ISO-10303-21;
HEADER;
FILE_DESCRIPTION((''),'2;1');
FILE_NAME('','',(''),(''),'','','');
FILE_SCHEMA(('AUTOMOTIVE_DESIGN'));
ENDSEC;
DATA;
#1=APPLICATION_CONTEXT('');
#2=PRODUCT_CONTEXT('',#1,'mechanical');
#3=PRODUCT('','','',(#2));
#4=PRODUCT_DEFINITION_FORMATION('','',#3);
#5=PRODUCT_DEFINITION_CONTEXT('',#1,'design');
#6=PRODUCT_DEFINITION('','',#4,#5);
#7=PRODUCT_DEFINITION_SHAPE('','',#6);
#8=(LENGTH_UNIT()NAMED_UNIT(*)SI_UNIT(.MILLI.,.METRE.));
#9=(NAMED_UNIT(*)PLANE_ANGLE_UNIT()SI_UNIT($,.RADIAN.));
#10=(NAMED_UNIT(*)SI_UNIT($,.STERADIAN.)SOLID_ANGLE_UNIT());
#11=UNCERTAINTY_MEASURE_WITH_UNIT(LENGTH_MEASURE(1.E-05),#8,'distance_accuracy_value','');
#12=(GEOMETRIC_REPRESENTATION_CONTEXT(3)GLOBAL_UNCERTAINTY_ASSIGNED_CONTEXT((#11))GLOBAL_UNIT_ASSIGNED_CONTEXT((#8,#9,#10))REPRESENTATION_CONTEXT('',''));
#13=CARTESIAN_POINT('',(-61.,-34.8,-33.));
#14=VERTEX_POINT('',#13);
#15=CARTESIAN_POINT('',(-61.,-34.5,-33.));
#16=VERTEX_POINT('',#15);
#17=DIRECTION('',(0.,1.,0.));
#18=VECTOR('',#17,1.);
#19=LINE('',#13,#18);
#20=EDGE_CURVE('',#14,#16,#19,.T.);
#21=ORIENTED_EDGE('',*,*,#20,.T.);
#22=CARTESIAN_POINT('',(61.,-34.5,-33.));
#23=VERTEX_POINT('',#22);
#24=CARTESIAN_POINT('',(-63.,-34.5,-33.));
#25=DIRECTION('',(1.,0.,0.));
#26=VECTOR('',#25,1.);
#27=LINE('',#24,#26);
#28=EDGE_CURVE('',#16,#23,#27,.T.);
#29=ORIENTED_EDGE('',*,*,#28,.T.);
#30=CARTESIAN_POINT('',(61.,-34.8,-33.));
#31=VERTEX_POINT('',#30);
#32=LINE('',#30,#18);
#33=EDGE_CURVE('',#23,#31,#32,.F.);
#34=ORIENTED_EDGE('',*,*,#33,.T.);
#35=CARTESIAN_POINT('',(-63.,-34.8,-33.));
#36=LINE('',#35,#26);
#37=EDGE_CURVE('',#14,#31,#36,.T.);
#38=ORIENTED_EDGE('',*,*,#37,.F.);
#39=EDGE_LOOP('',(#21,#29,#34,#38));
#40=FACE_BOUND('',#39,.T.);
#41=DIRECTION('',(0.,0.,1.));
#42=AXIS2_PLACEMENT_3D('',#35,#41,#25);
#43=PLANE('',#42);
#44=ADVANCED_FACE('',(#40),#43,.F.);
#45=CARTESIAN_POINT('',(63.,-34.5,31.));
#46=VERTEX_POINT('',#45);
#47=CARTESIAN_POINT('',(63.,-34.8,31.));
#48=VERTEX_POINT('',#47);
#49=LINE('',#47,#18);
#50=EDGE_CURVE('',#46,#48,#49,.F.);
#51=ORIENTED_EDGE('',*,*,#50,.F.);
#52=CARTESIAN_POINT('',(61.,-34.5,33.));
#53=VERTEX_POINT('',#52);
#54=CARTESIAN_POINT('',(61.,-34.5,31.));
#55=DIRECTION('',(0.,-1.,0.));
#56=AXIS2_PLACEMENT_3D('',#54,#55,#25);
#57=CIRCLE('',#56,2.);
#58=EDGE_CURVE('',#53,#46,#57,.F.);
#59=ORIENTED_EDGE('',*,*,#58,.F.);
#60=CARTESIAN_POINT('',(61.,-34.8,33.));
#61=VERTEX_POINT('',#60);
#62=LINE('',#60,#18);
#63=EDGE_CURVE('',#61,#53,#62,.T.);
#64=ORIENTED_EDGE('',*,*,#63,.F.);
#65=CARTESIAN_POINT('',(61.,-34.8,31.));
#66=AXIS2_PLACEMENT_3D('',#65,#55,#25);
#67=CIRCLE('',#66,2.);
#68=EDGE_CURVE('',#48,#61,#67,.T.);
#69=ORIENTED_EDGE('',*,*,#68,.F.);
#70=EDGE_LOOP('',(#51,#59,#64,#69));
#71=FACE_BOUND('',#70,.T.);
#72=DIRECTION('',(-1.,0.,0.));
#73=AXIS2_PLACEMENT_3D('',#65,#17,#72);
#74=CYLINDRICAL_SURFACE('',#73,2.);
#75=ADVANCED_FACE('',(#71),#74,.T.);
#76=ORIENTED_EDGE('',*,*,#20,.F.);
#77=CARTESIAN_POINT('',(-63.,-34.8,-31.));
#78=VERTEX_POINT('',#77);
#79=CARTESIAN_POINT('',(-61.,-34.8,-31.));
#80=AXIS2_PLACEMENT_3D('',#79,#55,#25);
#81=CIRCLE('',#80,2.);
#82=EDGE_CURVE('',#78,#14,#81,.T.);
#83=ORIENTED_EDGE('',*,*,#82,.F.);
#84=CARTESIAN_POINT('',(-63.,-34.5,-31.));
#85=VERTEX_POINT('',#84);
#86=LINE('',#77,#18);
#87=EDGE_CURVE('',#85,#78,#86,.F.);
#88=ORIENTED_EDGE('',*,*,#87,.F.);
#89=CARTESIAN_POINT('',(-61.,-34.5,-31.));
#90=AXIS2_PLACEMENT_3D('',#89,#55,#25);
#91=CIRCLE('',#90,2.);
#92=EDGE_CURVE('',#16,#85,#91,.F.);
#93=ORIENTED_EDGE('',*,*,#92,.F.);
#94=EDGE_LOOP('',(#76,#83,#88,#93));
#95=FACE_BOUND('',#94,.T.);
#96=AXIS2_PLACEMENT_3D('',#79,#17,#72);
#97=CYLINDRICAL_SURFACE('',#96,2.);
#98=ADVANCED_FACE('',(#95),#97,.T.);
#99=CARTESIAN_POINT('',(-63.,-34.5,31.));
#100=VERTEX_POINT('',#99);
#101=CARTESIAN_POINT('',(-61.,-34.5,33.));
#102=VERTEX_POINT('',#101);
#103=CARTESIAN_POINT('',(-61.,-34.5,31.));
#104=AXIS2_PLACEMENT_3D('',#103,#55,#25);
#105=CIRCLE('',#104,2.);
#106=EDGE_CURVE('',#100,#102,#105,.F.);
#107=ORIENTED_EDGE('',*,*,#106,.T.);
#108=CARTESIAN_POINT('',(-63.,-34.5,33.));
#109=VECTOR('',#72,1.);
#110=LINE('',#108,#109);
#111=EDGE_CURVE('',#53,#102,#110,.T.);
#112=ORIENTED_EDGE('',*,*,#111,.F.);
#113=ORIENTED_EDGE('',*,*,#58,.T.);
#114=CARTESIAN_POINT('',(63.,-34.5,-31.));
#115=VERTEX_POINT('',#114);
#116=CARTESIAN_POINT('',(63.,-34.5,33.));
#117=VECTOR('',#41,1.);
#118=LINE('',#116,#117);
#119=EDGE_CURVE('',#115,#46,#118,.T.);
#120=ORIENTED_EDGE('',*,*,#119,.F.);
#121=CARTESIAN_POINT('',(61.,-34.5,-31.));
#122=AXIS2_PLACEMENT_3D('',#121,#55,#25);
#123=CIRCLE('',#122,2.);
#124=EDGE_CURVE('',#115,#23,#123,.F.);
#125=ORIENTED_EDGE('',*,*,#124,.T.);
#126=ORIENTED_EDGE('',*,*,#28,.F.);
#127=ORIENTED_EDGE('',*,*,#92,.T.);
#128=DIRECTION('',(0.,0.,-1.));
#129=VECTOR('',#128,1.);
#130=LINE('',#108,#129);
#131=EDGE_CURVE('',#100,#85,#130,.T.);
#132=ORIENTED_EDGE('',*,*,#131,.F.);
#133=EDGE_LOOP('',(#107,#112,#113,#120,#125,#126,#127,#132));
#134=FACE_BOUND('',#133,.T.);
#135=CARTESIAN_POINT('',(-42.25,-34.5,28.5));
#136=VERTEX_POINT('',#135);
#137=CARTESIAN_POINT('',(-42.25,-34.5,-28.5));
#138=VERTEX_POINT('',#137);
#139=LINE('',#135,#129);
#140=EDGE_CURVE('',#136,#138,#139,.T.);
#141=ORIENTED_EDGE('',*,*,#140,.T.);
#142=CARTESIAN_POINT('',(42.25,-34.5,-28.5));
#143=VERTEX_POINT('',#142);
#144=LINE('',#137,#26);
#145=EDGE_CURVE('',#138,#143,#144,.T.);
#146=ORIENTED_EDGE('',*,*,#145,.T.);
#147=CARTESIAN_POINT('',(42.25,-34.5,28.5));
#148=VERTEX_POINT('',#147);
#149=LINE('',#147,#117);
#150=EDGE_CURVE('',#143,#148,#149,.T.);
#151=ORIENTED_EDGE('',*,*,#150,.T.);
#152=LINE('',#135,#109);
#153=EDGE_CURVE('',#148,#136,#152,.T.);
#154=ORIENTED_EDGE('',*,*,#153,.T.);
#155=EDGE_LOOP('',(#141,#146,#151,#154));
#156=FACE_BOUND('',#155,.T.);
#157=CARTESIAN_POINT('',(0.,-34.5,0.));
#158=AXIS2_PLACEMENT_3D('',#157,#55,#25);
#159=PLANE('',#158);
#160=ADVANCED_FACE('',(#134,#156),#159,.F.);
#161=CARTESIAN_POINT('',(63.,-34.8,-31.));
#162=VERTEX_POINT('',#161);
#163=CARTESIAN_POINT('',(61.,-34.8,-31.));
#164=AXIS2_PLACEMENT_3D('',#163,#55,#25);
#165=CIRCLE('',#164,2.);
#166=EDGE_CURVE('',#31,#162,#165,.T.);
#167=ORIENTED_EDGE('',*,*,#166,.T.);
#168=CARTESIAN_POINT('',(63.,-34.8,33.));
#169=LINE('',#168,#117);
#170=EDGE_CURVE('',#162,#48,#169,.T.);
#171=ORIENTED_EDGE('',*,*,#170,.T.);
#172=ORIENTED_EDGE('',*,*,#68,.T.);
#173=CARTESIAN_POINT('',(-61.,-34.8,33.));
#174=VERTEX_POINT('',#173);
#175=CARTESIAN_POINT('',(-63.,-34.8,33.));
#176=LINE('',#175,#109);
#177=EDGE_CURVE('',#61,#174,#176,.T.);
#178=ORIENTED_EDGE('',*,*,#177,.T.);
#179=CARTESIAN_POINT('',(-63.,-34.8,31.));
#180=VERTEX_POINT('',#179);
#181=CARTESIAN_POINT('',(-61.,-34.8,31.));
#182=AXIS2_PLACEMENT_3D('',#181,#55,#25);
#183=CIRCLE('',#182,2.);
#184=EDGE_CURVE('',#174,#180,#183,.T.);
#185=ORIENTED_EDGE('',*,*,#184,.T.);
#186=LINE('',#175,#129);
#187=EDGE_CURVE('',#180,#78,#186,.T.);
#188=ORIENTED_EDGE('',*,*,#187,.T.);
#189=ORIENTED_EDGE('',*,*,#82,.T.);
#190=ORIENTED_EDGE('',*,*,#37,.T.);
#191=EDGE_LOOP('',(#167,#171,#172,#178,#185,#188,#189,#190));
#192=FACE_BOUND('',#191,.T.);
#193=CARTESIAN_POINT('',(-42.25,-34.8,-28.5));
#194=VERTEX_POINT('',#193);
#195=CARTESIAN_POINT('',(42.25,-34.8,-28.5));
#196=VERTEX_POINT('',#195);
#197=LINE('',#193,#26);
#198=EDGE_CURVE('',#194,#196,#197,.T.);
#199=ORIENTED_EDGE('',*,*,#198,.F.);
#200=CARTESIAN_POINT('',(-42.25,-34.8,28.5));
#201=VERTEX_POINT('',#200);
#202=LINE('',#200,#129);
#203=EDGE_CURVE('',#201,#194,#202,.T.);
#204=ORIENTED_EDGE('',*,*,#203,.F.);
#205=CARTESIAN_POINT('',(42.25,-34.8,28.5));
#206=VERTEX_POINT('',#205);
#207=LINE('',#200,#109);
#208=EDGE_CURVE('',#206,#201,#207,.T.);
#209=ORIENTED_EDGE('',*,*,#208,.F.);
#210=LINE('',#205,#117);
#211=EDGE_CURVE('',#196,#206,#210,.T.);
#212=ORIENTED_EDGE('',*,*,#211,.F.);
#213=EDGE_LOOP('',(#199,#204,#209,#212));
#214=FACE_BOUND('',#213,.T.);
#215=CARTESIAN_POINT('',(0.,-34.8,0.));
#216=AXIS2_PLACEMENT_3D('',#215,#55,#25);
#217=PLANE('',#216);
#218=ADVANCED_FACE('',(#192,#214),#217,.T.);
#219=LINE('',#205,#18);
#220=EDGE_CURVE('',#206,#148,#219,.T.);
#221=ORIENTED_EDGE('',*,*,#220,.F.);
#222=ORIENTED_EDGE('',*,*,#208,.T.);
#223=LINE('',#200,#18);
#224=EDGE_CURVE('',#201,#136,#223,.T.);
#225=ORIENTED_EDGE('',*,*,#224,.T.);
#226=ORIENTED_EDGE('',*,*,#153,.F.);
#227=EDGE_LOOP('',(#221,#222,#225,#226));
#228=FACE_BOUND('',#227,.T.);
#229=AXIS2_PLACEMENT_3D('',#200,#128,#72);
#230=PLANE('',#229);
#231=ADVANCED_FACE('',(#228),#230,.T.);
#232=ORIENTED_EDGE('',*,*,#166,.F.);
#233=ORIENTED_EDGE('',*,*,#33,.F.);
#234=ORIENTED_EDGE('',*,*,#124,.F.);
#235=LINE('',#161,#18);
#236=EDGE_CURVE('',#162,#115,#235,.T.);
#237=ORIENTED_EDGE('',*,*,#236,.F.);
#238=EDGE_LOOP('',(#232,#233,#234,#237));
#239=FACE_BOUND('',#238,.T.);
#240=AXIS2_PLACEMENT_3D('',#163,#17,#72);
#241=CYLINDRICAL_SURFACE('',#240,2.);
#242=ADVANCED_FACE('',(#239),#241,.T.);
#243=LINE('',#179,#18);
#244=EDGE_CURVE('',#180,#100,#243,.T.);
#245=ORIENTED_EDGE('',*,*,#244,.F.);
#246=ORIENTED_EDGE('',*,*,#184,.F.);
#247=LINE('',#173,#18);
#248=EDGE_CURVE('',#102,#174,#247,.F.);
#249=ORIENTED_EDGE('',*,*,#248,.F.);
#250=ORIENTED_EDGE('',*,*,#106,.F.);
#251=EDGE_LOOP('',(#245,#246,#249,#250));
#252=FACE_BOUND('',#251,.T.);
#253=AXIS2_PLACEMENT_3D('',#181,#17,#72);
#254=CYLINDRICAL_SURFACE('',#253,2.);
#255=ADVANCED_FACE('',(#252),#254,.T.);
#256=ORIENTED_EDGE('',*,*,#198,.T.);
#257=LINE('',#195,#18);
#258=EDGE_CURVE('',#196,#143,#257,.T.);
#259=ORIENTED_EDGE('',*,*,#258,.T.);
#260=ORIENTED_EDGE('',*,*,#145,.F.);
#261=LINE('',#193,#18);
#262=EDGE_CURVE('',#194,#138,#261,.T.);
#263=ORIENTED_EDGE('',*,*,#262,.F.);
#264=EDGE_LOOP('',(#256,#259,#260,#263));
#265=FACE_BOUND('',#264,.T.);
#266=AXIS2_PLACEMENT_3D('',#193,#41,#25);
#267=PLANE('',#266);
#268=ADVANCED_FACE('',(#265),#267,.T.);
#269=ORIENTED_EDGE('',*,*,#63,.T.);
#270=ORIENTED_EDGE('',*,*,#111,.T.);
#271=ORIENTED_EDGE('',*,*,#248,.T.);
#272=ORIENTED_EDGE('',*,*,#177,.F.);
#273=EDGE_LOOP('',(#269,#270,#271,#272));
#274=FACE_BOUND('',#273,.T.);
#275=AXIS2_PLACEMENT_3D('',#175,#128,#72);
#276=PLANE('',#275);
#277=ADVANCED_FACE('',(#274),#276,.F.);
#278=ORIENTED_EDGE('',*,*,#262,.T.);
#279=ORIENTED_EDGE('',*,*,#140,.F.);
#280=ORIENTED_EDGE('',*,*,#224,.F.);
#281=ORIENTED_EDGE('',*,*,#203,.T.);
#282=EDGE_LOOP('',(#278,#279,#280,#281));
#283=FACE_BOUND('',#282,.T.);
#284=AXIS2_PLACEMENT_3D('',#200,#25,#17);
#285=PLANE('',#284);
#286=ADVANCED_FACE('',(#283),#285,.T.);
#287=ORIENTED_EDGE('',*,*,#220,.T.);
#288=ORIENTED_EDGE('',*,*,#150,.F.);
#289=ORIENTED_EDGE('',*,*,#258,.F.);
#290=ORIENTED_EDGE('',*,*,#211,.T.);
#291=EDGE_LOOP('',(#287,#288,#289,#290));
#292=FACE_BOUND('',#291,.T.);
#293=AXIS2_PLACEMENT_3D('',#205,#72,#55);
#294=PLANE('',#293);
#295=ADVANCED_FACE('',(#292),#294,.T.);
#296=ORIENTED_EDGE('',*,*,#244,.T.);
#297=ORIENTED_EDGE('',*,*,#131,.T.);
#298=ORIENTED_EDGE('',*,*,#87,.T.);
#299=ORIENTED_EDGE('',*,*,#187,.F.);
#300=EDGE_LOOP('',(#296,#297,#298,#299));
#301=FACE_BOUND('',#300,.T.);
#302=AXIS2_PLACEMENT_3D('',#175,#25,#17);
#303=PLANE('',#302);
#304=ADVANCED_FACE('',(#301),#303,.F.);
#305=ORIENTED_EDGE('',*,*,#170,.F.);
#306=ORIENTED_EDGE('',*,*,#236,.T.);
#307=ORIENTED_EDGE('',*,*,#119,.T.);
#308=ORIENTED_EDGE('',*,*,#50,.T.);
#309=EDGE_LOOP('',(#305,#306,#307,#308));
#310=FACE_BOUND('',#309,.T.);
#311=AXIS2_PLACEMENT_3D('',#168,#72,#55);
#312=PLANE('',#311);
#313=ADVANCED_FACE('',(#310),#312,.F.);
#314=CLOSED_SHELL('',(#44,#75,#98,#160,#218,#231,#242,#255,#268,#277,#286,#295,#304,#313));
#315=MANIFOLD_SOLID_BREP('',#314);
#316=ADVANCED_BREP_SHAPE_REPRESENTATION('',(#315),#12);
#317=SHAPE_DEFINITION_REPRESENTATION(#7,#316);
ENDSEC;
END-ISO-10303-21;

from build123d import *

# Parameters (mm, degrees)
SKETCH1_W           = 126
SKETCH1_H           = 66
SKETCH1_W_2         = 84.5
SKETCH1_H_2         = 57
BOSS_EXTRUDE1_DEPTH = 0.3
FILLET1_R           = 2


with BuildPart() as part:
    # Sketch1 → Boss-Extrude1 (new body)
    with BuildSketch(Plane.XZ.offset(34.5)):
        Rectangle(SKETCH1_W, SKETCH1_H)
        Rectangle(SKETCH1_W_2, SKETCH1_H_2, mode=Mode.SUBTRACT)
    extrude(amount=BOSS_EXTRUDE1_DEPTH)

    # Fillet1
    fillet1_edges = [part.edges().sort_by_distance(p)[0] for p in [
        (63, -34.65, -33),
        (-63, -34.65, -33),
        (-63, -34.65, 33),
        (63, -34.65, 33),
    ]]
    fillet(fillet1_edges, radius=FILLET1_R)


solid = part.part
